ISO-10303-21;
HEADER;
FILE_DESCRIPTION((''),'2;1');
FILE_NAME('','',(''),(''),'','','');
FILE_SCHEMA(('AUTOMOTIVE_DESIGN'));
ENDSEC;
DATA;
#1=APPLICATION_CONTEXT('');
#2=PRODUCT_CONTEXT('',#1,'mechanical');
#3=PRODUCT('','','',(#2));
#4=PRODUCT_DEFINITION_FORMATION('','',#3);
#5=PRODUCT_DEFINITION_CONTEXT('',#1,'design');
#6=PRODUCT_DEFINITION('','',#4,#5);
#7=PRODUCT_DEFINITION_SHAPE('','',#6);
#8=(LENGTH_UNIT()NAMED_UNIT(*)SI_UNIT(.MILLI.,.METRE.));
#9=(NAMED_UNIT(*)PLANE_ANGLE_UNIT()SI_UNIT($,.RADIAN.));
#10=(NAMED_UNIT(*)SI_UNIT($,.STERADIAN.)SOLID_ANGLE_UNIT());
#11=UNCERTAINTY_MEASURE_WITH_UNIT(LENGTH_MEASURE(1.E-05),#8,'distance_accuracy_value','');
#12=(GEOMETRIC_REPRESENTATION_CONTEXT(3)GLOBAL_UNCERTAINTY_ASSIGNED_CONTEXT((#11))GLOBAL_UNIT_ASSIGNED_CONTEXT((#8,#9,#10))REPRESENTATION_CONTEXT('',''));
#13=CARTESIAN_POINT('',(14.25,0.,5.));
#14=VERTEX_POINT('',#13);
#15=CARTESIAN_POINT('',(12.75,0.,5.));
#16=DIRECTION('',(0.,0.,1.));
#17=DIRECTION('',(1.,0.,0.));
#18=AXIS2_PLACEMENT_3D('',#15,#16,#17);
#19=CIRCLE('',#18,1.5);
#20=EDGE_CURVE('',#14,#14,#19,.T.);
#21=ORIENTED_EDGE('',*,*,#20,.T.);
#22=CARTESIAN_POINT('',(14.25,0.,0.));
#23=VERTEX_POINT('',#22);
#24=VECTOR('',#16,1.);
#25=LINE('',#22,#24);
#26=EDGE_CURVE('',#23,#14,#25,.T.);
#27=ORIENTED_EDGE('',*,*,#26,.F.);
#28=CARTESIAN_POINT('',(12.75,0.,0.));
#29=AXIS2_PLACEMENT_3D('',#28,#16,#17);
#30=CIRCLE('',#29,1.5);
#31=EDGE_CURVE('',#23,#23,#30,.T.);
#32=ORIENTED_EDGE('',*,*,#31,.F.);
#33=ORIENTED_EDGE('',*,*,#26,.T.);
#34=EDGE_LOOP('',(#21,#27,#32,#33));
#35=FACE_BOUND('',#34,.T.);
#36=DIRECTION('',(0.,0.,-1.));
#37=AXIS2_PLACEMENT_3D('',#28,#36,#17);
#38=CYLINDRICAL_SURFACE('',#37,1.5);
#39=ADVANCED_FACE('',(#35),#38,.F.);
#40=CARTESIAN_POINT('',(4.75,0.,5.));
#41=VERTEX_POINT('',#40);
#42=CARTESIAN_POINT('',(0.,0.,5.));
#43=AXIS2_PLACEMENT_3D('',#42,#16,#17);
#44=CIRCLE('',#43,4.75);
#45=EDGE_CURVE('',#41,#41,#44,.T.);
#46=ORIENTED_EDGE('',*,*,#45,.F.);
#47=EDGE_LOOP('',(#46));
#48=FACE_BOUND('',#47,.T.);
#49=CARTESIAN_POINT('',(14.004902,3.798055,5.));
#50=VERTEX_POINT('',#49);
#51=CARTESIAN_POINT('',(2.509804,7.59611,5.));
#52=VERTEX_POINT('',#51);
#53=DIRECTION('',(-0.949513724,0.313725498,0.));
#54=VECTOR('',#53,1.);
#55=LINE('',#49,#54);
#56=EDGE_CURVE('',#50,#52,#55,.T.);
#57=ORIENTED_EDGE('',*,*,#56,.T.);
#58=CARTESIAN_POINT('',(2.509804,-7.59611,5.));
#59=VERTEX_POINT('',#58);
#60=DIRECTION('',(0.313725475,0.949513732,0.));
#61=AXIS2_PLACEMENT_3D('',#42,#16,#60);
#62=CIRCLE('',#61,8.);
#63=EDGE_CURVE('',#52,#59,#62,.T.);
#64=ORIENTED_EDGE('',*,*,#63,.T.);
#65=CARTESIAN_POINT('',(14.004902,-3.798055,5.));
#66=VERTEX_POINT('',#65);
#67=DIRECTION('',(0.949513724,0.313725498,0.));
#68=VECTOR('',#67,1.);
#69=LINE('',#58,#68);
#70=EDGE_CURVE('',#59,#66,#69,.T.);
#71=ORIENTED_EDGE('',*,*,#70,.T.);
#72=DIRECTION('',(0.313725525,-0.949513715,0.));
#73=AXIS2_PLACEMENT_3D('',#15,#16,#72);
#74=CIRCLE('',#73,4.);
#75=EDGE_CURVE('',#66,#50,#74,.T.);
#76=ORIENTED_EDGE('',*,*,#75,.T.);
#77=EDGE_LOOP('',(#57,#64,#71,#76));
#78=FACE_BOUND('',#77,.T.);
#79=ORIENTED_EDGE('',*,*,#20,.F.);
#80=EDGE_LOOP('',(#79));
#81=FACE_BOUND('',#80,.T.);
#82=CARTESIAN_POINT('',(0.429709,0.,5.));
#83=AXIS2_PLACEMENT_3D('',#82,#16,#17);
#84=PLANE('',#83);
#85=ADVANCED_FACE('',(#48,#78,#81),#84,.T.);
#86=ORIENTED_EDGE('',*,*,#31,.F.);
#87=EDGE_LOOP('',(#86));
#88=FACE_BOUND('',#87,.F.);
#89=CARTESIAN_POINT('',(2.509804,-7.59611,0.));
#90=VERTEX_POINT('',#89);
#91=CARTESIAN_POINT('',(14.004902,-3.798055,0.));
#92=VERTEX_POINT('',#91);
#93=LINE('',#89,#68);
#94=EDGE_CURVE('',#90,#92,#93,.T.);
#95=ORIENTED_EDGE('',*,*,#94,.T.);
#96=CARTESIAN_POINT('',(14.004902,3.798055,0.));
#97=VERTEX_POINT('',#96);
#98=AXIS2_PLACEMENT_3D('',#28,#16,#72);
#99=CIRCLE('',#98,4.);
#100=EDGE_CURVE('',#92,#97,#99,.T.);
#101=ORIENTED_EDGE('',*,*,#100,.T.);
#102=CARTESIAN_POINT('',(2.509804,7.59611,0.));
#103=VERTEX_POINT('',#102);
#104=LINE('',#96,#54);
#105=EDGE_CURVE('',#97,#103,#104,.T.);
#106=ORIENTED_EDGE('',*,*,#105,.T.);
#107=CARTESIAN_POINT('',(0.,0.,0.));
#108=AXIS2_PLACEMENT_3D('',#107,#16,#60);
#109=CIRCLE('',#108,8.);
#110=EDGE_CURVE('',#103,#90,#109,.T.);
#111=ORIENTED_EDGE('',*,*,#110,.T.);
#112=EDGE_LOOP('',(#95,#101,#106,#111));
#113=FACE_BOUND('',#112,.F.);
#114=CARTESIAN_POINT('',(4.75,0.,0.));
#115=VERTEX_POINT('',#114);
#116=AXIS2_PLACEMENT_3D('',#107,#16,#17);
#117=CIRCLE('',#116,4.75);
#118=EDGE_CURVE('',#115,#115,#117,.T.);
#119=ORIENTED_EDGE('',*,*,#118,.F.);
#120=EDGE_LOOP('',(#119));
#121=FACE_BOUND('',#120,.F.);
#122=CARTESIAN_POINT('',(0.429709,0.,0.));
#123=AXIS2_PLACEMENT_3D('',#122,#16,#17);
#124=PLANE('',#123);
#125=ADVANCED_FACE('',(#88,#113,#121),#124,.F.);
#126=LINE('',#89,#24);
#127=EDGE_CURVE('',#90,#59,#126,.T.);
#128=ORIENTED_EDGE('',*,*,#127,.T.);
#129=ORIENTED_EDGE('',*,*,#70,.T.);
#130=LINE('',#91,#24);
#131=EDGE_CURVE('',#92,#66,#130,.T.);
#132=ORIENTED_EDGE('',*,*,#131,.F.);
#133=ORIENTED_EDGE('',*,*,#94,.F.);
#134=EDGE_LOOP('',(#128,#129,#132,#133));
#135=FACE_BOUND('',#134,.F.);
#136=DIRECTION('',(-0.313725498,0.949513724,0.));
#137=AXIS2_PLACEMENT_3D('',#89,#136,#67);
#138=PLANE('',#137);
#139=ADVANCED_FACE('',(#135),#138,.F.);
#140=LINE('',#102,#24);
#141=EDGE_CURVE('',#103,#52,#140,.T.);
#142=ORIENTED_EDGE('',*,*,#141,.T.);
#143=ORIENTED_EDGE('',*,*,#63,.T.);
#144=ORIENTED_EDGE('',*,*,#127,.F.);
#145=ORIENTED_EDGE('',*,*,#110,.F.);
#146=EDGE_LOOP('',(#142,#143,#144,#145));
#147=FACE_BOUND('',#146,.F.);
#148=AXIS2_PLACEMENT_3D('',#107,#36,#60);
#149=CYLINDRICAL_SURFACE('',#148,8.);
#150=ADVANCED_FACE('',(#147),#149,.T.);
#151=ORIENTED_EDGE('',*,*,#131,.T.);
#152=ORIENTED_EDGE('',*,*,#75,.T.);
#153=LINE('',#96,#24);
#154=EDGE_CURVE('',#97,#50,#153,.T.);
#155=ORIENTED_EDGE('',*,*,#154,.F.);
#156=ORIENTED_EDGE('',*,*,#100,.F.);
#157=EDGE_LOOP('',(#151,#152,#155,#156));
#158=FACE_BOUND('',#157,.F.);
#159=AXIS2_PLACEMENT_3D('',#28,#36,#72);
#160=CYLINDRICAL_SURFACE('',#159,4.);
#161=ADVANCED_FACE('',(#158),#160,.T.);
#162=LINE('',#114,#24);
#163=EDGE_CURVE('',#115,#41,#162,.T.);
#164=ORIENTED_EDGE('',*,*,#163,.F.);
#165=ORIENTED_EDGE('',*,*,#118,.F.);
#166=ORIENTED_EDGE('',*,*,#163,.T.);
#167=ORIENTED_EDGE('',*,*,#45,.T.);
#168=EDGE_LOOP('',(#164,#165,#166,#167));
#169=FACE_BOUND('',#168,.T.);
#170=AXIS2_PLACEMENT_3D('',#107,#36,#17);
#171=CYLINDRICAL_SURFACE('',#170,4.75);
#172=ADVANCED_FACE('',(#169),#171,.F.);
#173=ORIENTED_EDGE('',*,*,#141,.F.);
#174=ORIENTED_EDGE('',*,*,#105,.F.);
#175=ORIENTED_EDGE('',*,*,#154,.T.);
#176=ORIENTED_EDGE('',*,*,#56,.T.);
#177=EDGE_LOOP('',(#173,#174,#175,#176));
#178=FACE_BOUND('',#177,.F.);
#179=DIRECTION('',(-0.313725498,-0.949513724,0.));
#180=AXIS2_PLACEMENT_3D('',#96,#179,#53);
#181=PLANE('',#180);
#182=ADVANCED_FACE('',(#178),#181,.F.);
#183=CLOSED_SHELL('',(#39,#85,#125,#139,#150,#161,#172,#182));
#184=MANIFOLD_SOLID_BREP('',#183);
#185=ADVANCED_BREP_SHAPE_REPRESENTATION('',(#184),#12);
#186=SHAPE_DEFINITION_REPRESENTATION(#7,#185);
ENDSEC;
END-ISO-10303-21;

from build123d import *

# Parameters (mm, degrees)
F0_R     = 4.75
F0_R_2   = 1.5
F1_DEPTH = 5


with BuildPart() as f1:
    # F0 (on Top) → F1 (new body)
    with BuildSketch(Plane.XY):
        with BuildLine():
            ThreePointArc((8, 0), (6.483766, 4.686233), (2.509804, 7.59611))
            ThreePointArc((2.509804, 7.59611), (-8, 0), (2.509804, -7.59611))
            ThreePointArc((2.509804, -7.59611), (6.483766, -4.686233), (8, 0))
        make_face()
        Circle(F0_R, mode=Mode.SUBTRACT)
        with BuildLine():
            ThreePointArc((14.004902, -3.798055), (16.75, 0), (14.004902, 3.798055))
            Line((14.004902, 3.798055), (2.509804, 7.59611))
            ThreePointArc((2.509804, 7.59611), (6.483766, 4.686233), (8, 0))
            ThreePointArc((8, 0), (6.483766, -4.686233), (2.509804, -7.59611))
            Line((2.509804, -7.59611), (14.004902, -3.798055))
        make_face()
        with Locations((12.75, 0)):
            Circle(F0_R_2, mode=Mode.SUBTRACT)
    extrude(amount=F1_DEPTH)


solid = f1.part
